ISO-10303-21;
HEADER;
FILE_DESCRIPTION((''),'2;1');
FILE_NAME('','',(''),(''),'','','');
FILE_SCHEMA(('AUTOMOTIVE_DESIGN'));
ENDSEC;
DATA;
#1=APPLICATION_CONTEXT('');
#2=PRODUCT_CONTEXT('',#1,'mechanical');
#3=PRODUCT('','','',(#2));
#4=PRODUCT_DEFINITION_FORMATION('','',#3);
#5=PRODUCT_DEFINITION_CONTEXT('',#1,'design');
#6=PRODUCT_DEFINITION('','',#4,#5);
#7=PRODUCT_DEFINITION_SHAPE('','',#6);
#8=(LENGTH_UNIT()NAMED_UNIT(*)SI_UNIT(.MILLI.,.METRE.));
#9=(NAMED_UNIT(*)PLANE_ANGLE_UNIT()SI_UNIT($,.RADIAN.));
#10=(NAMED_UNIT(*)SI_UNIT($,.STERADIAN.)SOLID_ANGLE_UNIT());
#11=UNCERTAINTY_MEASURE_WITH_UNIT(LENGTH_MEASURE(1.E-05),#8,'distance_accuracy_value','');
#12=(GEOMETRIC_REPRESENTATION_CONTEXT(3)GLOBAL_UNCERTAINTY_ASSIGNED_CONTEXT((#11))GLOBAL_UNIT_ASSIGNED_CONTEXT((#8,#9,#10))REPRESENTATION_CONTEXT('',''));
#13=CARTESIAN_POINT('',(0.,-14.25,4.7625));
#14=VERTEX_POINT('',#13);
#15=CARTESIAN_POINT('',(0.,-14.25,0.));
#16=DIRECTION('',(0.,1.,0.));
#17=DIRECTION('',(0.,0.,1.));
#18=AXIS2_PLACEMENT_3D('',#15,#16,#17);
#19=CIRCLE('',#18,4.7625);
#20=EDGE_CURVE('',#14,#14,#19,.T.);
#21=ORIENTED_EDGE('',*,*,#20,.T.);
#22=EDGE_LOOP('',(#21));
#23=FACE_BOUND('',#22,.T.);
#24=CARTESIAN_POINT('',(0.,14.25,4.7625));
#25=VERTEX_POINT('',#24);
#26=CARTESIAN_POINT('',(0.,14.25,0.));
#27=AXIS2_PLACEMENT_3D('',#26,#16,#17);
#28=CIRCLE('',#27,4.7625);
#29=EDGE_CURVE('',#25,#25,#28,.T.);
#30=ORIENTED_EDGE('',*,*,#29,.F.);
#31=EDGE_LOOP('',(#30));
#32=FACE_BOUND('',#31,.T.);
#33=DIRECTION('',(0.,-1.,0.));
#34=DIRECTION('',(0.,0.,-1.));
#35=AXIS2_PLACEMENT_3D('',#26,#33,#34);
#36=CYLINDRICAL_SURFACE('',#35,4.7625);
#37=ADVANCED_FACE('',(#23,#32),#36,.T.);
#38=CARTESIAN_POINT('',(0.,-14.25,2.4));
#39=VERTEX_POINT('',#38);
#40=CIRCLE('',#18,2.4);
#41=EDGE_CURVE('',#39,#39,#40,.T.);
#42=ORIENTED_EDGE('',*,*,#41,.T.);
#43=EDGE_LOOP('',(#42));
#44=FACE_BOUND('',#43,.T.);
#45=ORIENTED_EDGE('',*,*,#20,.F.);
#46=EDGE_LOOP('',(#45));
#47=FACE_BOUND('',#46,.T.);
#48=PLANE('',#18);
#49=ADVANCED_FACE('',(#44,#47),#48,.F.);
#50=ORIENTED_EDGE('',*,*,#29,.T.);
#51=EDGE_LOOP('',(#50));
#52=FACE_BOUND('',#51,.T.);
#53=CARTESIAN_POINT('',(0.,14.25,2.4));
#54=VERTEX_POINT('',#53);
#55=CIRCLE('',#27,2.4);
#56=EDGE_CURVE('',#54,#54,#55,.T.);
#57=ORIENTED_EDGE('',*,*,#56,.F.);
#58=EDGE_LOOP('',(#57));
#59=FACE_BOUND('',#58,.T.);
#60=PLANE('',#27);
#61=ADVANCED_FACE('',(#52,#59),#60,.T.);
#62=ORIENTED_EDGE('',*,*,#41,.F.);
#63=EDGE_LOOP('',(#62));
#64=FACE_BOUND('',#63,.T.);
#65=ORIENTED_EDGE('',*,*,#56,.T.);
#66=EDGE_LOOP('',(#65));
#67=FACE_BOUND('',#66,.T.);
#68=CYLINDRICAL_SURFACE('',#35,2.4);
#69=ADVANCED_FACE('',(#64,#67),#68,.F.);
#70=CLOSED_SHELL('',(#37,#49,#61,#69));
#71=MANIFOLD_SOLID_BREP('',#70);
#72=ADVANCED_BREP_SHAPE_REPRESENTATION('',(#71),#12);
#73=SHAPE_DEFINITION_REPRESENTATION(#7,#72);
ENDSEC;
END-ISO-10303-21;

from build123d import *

# Parameters (mm, degrees)
SKETCH1_R           = 4.7625
SKETCH1_R_2         = 2.4
BOSS_EXTRUDE1_DEPTH = 14.25


with BuildPart() as part:
    # Sketch1 → Boss-Extrude1 (new body, symmetric)
    with BuildSketch(Plane(origin=(0, 0, 0), x_dir=(1, 0, 0), z_dir=(0, 1, 0))):
        Circle(SKETCH1_R)
        Circle(SKETCH1_R_2, mode=Mode.SUBTRACT)
    extrude(amount=BOSS_EXTRUDE1_DEPTH, both=True)


solid = part.part
